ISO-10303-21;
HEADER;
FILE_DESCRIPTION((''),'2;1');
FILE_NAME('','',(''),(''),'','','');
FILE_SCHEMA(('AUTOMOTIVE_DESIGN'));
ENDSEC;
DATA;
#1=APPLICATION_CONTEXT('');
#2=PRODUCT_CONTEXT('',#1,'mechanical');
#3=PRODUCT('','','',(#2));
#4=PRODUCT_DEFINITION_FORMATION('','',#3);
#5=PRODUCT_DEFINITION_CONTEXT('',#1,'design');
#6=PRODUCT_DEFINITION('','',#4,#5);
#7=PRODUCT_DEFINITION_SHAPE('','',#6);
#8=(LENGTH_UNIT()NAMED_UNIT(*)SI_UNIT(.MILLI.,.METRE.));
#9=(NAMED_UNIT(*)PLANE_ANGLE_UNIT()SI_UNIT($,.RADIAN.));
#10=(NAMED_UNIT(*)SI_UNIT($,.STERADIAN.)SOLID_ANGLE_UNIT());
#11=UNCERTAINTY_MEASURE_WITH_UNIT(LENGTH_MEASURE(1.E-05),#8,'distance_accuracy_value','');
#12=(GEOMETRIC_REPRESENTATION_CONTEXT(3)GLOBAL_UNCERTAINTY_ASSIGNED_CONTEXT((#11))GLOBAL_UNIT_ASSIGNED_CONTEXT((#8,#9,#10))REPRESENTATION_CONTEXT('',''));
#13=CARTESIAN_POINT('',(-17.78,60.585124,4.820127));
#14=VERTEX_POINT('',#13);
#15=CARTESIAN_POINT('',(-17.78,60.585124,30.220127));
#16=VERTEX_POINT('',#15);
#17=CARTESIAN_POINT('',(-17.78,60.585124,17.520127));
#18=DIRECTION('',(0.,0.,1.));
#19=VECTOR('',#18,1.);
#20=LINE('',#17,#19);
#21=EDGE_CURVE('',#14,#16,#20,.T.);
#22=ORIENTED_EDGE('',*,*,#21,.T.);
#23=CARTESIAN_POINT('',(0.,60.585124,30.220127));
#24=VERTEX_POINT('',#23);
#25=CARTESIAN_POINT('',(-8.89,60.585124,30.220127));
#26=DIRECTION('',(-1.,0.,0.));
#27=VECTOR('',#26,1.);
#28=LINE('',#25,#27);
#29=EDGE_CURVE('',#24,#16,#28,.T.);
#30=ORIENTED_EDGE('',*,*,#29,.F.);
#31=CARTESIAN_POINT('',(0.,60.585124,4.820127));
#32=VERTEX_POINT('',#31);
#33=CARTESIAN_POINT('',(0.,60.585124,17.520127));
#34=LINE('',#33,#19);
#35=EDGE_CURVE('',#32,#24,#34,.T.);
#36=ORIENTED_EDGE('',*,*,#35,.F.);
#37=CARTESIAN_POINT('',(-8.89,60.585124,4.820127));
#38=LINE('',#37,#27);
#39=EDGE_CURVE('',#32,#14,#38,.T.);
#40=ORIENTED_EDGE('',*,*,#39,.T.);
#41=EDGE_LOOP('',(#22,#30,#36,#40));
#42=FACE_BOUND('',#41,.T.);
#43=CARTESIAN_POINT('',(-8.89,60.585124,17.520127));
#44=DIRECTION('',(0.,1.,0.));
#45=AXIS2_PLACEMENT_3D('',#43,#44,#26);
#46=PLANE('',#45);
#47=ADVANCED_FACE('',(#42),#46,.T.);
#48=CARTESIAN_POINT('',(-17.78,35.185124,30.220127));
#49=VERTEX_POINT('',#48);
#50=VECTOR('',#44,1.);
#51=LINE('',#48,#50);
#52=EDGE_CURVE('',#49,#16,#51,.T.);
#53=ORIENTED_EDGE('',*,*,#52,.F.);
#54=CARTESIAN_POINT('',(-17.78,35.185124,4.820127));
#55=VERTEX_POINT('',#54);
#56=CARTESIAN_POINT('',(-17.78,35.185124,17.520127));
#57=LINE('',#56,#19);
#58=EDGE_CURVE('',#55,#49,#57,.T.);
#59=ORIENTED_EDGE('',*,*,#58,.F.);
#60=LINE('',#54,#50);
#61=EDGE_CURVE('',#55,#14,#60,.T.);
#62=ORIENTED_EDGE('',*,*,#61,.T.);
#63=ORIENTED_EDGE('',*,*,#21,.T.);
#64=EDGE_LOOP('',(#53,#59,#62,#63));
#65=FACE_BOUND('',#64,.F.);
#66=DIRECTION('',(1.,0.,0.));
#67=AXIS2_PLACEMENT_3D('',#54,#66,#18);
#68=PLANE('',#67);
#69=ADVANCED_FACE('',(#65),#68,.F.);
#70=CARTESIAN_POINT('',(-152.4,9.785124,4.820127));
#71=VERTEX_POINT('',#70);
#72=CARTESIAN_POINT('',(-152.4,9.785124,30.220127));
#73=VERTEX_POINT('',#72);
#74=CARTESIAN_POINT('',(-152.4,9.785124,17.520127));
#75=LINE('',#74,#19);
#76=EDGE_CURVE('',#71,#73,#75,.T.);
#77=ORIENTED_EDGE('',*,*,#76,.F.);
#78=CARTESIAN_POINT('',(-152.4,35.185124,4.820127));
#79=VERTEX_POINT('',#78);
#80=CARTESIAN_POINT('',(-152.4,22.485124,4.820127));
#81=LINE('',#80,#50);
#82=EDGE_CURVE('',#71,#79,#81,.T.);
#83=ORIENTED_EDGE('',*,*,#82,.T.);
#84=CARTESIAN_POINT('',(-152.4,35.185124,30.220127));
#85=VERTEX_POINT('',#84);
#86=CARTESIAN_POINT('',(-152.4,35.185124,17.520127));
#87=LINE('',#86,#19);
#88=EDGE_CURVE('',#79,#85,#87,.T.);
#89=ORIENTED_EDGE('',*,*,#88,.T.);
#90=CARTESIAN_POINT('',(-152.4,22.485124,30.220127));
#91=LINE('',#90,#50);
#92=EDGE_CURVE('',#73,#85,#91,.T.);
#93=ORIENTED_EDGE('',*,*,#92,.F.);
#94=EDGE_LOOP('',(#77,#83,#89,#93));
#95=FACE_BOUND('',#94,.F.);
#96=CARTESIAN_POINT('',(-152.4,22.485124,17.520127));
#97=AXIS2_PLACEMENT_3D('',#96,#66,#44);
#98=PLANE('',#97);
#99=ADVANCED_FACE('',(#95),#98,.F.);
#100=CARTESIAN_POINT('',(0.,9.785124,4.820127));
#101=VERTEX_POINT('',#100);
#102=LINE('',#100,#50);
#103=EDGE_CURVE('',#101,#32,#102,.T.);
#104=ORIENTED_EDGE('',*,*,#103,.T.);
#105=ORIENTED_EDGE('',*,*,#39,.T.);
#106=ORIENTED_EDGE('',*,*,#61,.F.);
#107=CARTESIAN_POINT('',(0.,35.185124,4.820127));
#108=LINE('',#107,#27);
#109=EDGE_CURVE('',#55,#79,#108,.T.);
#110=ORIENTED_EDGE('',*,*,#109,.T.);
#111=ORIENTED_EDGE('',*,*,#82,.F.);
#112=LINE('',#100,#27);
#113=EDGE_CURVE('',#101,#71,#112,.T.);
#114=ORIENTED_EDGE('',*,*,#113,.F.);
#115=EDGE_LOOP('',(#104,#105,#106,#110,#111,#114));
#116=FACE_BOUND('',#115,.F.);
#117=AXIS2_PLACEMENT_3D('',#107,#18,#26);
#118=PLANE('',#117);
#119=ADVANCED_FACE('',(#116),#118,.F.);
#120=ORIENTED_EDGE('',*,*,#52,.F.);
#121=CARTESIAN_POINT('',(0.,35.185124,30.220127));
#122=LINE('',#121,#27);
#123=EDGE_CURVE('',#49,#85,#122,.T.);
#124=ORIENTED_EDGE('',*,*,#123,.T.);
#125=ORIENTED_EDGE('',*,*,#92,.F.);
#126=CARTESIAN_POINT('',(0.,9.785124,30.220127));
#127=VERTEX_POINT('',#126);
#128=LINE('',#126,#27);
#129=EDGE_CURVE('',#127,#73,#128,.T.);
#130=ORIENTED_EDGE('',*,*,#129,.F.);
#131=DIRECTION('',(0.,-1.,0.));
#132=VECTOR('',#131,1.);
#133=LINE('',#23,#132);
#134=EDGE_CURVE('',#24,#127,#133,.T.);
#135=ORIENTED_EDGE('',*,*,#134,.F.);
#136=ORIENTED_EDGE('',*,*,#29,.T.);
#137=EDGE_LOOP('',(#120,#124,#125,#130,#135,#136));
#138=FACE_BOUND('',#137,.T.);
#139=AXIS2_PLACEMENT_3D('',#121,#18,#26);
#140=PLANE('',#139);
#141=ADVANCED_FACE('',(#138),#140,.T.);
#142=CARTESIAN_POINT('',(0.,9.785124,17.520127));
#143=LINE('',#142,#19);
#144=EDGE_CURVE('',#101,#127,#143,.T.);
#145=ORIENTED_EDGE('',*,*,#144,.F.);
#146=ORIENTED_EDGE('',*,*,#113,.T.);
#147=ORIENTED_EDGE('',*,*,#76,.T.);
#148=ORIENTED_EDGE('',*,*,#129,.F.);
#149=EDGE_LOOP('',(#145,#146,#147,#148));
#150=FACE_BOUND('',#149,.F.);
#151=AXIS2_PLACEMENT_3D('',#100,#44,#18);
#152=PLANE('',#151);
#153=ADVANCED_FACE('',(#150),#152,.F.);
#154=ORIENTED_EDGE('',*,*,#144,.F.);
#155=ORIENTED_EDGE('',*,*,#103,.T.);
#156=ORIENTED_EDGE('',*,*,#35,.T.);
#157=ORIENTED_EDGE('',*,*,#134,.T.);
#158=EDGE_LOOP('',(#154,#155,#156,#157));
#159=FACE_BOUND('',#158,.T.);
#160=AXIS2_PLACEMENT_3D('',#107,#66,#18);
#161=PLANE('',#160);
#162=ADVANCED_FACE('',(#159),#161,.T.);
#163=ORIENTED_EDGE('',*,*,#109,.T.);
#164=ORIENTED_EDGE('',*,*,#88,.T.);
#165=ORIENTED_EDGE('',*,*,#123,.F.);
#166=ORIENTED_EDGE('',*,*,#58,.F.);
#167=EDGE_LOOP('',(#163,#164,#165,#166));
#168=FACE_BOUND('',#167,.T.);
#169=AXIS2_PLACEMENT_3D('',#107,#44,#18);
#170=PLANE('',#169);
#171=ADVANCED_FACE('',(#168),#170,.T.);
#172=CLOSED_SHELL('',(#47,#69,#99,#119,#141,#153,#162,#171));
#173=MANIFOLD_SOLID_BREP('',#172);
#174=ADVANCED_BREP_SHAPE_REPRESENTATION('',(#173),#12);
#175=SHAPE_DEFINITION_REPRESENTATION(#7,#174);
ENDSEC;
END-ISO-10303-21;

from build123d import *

# Parameters (mm, degrees)
F0_W     = 25.4
F0_H     = 25.4
F1_DEPTH = 152.4
F2_W     = 17.78
F2_H     = 25.4
F3_DEPTH = 25.4


with BuildPart() as f1:
    # F0 (on Right) → F1 (new body)
    with BuildSketch(Plane.YZ):
        with Locations((22.485124, 17.520127)):
            Rectangle(F0_W, F0_H)
    extrude(amount=-F1_DEPTH)

    # F2 (on face) → F3 (join)
    with BuildSketch(Plane(origin=(0, 35.185124, 0), x_dir=(-1, 0, 0), z_dir=(0, 1, 0))):
        with Locations((8.89, 17.520127)):
            Rectangle(F2_W, F2_H)
    extrude(amount=F3_DEPTH)


solid = f1.part
